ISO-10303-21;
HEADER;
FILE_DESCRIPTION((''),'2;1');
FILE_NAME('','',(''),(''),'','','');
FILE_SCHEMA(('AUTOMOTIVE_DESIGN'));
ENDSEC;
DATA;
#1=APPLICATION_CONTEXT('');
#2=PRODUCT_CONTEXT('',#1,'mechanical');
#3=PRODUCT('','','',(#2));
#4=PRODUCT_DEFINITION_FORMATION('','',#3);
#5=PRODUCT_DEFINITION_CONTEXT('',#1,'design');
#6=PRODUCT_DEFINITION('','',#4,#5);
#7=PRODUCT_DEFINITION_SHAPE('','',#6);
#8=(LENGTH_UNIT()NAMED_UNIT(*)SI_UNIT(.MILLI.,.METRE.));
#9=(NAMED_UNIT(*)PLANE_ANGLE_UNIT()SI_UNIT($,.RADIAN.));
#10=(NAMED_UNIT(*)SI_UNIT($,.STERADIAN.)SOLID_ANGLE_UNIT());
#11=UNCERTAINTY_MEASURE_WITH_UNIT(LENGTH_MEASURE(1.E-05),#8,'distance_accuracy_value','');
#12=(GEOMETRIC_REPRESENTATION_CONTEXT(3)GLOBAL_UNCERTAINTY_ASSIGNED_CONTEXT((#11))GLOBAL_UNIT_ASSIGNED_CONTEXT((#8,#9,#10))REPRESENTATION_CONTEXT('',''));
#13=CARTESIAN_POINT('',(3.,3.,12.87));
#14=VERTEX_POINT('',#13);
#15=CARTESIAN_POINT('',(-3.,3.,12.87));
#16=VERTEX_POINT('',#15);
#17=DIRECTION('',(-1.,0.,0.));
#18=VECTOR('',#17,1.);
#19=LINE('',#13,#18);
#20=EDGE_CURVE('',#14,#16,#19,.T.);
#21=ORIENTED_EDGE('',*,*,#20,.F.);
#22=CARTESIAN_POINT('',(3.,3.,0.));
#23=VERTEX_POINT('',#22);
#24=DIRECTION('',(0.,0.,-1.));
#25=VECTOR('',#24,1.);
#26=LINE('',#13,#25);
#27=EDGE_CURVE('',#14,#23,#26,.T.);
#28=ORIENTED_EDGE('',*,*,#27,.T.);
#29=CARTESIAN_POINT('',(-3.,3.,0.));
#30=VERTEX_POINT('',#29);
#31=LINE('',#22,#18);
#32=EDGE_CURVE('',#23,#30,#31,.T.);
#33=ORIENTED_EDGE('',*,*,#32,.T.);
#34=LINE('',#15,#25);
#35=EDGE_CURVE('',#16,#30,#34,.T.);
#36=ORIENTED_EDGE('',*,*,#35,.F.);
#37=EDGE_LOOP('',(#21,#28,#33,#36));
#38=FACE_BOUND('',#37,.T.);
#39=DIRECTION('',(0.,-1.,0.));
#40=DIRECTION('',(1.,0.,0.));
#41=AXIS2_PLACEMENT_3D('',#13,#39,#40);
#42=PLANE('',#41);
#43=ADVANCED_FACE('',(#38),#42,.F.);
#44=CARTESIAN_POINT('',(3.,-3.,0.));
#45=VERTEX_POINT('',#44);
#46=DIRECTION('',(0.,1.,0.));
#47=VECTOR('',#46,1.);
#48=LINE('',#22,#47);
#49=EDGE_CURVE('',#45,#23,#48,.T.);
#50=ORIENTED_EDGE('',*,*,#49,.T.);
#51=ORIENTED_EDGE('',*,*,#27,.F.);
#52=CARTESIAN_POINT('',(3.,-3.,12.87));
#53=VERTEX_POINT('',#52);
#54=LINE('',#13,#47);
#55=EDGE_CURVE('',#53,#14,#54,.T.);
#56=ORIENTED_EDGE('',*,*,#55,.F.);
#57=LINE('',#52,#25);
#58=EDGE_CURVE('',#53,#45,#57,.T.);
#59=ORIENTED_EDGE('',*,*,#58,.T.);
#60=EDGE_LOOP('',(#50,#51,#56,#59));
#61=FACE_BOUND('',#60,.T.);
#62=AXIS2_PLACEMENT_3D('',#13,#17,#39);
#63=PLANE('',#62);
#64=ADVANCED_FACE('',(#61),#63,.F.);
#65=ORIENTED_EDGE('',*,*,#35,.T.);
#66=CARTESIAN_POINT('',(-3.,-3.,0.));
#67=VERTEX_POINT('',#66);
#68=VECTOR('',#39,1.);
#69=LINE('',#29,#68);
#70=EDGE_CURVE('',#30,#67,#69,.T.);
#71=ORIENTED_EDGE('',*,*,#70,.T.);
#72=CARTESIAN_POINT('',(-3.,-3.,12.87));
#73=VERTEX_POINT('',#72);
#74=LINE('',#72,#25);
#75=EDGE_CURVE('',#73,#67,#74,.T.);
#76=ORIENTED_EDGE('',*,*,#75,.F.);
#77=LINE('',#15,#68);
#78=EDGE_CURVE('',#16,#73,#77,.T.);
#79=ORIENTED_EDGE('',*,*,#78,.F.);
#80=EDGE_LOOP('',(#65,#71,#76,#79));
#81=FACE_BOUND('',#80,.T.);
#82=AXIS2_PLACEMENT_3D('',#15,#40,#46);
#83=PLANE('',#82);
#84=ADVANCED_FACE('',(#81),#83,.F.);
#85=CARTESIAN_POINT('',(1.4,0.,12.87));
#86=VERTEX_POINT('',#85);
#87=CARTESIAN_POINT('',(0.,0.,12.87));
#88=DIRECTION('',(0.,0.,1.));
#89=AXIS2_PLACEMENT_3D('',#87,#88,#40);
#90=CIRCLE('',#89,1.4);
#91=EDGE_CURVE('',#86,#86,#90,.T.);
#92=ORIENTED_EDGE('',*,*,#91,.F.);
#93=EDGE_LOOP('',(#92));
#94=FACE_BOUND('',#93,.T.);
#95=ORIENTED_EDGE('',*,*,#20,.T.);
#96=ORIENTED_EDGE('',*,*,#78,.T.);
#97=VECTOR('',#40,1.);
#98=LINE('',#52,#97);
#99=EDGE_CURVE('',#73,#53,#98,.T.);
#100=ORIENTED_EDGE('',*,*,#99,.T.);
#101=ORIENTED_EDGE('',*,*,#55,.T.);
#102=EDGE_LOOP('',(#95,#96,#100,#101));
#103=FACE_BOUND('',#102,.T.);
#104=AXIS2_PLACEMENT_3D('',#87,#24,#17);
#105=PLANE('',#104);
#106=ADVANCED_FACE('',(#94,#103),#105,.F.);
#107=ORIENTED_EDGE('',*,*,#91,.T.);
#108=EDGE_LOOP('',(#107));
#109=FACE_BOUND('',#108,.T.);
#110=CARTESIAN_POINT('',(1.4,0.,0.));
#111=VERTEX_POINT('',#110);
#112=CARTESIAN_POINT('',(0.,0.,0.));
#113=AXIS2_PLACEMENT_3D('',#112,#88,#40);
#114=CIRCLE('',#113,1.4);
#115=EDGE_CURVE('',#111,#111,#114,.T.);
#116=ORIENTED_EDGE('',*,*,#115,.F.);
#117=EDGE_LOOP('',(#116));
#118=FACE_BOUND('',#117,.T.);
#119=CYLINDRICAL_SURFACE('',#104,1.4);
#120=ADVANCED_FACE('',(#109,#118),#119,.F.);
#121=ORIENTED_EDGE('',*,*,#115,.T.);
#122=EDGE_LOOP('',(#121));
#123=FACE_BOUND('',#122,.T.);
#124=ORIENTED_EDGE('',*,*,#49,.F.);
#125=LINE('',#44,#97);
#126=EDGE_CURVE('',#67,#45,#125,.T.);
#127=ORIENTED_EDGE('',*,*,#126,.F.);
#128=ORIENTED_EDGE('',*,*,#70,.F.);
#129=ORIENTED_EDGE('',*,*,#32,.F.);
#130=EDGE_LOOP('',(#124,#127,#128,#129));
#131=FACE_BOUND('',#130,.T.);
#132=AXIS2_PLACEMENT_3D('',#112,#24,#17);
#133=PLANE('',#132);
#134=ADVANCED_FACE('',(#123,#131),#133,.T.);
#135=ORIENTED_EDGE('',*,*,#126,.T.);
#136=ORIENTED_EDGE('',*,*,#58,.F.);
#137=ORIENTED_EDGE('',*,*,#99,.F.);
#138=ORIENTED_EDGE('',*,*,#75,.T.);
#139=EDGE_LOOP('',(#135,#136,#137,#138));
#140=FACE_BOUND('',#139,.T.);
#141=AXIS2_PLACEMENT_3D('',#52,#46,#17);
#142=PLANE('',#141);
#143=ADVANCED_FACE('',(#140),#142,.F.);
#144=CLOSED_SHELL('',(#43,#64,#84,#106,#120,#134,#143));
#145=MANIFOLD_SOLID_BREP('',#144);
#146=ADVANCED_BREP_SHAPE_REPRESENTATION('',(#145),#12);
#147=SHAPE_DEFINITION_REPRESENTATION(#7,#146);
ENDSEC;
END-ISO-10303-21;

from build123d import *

# Parameters (mm, degrees)
SKETCH1_W           = 6
SKETCH1_H           = 6
SKETCH1_R           = 1.4
BOSS_EXTRUDE1_DEPTH = 12.87


with BuildPart() as part:
    # Sketch1 → Boss-Extrude1 (new body)
    with BuildSketch(Plane.XY):
        Rectangle(SKETCH1_W, SKETCH1_H)
        Circle(SKETCH1_R, mode=Mode.SUBTRACT)
    extrude(amount=BOSS_EXTRUDE1_DEPTH)


solid = part.part
